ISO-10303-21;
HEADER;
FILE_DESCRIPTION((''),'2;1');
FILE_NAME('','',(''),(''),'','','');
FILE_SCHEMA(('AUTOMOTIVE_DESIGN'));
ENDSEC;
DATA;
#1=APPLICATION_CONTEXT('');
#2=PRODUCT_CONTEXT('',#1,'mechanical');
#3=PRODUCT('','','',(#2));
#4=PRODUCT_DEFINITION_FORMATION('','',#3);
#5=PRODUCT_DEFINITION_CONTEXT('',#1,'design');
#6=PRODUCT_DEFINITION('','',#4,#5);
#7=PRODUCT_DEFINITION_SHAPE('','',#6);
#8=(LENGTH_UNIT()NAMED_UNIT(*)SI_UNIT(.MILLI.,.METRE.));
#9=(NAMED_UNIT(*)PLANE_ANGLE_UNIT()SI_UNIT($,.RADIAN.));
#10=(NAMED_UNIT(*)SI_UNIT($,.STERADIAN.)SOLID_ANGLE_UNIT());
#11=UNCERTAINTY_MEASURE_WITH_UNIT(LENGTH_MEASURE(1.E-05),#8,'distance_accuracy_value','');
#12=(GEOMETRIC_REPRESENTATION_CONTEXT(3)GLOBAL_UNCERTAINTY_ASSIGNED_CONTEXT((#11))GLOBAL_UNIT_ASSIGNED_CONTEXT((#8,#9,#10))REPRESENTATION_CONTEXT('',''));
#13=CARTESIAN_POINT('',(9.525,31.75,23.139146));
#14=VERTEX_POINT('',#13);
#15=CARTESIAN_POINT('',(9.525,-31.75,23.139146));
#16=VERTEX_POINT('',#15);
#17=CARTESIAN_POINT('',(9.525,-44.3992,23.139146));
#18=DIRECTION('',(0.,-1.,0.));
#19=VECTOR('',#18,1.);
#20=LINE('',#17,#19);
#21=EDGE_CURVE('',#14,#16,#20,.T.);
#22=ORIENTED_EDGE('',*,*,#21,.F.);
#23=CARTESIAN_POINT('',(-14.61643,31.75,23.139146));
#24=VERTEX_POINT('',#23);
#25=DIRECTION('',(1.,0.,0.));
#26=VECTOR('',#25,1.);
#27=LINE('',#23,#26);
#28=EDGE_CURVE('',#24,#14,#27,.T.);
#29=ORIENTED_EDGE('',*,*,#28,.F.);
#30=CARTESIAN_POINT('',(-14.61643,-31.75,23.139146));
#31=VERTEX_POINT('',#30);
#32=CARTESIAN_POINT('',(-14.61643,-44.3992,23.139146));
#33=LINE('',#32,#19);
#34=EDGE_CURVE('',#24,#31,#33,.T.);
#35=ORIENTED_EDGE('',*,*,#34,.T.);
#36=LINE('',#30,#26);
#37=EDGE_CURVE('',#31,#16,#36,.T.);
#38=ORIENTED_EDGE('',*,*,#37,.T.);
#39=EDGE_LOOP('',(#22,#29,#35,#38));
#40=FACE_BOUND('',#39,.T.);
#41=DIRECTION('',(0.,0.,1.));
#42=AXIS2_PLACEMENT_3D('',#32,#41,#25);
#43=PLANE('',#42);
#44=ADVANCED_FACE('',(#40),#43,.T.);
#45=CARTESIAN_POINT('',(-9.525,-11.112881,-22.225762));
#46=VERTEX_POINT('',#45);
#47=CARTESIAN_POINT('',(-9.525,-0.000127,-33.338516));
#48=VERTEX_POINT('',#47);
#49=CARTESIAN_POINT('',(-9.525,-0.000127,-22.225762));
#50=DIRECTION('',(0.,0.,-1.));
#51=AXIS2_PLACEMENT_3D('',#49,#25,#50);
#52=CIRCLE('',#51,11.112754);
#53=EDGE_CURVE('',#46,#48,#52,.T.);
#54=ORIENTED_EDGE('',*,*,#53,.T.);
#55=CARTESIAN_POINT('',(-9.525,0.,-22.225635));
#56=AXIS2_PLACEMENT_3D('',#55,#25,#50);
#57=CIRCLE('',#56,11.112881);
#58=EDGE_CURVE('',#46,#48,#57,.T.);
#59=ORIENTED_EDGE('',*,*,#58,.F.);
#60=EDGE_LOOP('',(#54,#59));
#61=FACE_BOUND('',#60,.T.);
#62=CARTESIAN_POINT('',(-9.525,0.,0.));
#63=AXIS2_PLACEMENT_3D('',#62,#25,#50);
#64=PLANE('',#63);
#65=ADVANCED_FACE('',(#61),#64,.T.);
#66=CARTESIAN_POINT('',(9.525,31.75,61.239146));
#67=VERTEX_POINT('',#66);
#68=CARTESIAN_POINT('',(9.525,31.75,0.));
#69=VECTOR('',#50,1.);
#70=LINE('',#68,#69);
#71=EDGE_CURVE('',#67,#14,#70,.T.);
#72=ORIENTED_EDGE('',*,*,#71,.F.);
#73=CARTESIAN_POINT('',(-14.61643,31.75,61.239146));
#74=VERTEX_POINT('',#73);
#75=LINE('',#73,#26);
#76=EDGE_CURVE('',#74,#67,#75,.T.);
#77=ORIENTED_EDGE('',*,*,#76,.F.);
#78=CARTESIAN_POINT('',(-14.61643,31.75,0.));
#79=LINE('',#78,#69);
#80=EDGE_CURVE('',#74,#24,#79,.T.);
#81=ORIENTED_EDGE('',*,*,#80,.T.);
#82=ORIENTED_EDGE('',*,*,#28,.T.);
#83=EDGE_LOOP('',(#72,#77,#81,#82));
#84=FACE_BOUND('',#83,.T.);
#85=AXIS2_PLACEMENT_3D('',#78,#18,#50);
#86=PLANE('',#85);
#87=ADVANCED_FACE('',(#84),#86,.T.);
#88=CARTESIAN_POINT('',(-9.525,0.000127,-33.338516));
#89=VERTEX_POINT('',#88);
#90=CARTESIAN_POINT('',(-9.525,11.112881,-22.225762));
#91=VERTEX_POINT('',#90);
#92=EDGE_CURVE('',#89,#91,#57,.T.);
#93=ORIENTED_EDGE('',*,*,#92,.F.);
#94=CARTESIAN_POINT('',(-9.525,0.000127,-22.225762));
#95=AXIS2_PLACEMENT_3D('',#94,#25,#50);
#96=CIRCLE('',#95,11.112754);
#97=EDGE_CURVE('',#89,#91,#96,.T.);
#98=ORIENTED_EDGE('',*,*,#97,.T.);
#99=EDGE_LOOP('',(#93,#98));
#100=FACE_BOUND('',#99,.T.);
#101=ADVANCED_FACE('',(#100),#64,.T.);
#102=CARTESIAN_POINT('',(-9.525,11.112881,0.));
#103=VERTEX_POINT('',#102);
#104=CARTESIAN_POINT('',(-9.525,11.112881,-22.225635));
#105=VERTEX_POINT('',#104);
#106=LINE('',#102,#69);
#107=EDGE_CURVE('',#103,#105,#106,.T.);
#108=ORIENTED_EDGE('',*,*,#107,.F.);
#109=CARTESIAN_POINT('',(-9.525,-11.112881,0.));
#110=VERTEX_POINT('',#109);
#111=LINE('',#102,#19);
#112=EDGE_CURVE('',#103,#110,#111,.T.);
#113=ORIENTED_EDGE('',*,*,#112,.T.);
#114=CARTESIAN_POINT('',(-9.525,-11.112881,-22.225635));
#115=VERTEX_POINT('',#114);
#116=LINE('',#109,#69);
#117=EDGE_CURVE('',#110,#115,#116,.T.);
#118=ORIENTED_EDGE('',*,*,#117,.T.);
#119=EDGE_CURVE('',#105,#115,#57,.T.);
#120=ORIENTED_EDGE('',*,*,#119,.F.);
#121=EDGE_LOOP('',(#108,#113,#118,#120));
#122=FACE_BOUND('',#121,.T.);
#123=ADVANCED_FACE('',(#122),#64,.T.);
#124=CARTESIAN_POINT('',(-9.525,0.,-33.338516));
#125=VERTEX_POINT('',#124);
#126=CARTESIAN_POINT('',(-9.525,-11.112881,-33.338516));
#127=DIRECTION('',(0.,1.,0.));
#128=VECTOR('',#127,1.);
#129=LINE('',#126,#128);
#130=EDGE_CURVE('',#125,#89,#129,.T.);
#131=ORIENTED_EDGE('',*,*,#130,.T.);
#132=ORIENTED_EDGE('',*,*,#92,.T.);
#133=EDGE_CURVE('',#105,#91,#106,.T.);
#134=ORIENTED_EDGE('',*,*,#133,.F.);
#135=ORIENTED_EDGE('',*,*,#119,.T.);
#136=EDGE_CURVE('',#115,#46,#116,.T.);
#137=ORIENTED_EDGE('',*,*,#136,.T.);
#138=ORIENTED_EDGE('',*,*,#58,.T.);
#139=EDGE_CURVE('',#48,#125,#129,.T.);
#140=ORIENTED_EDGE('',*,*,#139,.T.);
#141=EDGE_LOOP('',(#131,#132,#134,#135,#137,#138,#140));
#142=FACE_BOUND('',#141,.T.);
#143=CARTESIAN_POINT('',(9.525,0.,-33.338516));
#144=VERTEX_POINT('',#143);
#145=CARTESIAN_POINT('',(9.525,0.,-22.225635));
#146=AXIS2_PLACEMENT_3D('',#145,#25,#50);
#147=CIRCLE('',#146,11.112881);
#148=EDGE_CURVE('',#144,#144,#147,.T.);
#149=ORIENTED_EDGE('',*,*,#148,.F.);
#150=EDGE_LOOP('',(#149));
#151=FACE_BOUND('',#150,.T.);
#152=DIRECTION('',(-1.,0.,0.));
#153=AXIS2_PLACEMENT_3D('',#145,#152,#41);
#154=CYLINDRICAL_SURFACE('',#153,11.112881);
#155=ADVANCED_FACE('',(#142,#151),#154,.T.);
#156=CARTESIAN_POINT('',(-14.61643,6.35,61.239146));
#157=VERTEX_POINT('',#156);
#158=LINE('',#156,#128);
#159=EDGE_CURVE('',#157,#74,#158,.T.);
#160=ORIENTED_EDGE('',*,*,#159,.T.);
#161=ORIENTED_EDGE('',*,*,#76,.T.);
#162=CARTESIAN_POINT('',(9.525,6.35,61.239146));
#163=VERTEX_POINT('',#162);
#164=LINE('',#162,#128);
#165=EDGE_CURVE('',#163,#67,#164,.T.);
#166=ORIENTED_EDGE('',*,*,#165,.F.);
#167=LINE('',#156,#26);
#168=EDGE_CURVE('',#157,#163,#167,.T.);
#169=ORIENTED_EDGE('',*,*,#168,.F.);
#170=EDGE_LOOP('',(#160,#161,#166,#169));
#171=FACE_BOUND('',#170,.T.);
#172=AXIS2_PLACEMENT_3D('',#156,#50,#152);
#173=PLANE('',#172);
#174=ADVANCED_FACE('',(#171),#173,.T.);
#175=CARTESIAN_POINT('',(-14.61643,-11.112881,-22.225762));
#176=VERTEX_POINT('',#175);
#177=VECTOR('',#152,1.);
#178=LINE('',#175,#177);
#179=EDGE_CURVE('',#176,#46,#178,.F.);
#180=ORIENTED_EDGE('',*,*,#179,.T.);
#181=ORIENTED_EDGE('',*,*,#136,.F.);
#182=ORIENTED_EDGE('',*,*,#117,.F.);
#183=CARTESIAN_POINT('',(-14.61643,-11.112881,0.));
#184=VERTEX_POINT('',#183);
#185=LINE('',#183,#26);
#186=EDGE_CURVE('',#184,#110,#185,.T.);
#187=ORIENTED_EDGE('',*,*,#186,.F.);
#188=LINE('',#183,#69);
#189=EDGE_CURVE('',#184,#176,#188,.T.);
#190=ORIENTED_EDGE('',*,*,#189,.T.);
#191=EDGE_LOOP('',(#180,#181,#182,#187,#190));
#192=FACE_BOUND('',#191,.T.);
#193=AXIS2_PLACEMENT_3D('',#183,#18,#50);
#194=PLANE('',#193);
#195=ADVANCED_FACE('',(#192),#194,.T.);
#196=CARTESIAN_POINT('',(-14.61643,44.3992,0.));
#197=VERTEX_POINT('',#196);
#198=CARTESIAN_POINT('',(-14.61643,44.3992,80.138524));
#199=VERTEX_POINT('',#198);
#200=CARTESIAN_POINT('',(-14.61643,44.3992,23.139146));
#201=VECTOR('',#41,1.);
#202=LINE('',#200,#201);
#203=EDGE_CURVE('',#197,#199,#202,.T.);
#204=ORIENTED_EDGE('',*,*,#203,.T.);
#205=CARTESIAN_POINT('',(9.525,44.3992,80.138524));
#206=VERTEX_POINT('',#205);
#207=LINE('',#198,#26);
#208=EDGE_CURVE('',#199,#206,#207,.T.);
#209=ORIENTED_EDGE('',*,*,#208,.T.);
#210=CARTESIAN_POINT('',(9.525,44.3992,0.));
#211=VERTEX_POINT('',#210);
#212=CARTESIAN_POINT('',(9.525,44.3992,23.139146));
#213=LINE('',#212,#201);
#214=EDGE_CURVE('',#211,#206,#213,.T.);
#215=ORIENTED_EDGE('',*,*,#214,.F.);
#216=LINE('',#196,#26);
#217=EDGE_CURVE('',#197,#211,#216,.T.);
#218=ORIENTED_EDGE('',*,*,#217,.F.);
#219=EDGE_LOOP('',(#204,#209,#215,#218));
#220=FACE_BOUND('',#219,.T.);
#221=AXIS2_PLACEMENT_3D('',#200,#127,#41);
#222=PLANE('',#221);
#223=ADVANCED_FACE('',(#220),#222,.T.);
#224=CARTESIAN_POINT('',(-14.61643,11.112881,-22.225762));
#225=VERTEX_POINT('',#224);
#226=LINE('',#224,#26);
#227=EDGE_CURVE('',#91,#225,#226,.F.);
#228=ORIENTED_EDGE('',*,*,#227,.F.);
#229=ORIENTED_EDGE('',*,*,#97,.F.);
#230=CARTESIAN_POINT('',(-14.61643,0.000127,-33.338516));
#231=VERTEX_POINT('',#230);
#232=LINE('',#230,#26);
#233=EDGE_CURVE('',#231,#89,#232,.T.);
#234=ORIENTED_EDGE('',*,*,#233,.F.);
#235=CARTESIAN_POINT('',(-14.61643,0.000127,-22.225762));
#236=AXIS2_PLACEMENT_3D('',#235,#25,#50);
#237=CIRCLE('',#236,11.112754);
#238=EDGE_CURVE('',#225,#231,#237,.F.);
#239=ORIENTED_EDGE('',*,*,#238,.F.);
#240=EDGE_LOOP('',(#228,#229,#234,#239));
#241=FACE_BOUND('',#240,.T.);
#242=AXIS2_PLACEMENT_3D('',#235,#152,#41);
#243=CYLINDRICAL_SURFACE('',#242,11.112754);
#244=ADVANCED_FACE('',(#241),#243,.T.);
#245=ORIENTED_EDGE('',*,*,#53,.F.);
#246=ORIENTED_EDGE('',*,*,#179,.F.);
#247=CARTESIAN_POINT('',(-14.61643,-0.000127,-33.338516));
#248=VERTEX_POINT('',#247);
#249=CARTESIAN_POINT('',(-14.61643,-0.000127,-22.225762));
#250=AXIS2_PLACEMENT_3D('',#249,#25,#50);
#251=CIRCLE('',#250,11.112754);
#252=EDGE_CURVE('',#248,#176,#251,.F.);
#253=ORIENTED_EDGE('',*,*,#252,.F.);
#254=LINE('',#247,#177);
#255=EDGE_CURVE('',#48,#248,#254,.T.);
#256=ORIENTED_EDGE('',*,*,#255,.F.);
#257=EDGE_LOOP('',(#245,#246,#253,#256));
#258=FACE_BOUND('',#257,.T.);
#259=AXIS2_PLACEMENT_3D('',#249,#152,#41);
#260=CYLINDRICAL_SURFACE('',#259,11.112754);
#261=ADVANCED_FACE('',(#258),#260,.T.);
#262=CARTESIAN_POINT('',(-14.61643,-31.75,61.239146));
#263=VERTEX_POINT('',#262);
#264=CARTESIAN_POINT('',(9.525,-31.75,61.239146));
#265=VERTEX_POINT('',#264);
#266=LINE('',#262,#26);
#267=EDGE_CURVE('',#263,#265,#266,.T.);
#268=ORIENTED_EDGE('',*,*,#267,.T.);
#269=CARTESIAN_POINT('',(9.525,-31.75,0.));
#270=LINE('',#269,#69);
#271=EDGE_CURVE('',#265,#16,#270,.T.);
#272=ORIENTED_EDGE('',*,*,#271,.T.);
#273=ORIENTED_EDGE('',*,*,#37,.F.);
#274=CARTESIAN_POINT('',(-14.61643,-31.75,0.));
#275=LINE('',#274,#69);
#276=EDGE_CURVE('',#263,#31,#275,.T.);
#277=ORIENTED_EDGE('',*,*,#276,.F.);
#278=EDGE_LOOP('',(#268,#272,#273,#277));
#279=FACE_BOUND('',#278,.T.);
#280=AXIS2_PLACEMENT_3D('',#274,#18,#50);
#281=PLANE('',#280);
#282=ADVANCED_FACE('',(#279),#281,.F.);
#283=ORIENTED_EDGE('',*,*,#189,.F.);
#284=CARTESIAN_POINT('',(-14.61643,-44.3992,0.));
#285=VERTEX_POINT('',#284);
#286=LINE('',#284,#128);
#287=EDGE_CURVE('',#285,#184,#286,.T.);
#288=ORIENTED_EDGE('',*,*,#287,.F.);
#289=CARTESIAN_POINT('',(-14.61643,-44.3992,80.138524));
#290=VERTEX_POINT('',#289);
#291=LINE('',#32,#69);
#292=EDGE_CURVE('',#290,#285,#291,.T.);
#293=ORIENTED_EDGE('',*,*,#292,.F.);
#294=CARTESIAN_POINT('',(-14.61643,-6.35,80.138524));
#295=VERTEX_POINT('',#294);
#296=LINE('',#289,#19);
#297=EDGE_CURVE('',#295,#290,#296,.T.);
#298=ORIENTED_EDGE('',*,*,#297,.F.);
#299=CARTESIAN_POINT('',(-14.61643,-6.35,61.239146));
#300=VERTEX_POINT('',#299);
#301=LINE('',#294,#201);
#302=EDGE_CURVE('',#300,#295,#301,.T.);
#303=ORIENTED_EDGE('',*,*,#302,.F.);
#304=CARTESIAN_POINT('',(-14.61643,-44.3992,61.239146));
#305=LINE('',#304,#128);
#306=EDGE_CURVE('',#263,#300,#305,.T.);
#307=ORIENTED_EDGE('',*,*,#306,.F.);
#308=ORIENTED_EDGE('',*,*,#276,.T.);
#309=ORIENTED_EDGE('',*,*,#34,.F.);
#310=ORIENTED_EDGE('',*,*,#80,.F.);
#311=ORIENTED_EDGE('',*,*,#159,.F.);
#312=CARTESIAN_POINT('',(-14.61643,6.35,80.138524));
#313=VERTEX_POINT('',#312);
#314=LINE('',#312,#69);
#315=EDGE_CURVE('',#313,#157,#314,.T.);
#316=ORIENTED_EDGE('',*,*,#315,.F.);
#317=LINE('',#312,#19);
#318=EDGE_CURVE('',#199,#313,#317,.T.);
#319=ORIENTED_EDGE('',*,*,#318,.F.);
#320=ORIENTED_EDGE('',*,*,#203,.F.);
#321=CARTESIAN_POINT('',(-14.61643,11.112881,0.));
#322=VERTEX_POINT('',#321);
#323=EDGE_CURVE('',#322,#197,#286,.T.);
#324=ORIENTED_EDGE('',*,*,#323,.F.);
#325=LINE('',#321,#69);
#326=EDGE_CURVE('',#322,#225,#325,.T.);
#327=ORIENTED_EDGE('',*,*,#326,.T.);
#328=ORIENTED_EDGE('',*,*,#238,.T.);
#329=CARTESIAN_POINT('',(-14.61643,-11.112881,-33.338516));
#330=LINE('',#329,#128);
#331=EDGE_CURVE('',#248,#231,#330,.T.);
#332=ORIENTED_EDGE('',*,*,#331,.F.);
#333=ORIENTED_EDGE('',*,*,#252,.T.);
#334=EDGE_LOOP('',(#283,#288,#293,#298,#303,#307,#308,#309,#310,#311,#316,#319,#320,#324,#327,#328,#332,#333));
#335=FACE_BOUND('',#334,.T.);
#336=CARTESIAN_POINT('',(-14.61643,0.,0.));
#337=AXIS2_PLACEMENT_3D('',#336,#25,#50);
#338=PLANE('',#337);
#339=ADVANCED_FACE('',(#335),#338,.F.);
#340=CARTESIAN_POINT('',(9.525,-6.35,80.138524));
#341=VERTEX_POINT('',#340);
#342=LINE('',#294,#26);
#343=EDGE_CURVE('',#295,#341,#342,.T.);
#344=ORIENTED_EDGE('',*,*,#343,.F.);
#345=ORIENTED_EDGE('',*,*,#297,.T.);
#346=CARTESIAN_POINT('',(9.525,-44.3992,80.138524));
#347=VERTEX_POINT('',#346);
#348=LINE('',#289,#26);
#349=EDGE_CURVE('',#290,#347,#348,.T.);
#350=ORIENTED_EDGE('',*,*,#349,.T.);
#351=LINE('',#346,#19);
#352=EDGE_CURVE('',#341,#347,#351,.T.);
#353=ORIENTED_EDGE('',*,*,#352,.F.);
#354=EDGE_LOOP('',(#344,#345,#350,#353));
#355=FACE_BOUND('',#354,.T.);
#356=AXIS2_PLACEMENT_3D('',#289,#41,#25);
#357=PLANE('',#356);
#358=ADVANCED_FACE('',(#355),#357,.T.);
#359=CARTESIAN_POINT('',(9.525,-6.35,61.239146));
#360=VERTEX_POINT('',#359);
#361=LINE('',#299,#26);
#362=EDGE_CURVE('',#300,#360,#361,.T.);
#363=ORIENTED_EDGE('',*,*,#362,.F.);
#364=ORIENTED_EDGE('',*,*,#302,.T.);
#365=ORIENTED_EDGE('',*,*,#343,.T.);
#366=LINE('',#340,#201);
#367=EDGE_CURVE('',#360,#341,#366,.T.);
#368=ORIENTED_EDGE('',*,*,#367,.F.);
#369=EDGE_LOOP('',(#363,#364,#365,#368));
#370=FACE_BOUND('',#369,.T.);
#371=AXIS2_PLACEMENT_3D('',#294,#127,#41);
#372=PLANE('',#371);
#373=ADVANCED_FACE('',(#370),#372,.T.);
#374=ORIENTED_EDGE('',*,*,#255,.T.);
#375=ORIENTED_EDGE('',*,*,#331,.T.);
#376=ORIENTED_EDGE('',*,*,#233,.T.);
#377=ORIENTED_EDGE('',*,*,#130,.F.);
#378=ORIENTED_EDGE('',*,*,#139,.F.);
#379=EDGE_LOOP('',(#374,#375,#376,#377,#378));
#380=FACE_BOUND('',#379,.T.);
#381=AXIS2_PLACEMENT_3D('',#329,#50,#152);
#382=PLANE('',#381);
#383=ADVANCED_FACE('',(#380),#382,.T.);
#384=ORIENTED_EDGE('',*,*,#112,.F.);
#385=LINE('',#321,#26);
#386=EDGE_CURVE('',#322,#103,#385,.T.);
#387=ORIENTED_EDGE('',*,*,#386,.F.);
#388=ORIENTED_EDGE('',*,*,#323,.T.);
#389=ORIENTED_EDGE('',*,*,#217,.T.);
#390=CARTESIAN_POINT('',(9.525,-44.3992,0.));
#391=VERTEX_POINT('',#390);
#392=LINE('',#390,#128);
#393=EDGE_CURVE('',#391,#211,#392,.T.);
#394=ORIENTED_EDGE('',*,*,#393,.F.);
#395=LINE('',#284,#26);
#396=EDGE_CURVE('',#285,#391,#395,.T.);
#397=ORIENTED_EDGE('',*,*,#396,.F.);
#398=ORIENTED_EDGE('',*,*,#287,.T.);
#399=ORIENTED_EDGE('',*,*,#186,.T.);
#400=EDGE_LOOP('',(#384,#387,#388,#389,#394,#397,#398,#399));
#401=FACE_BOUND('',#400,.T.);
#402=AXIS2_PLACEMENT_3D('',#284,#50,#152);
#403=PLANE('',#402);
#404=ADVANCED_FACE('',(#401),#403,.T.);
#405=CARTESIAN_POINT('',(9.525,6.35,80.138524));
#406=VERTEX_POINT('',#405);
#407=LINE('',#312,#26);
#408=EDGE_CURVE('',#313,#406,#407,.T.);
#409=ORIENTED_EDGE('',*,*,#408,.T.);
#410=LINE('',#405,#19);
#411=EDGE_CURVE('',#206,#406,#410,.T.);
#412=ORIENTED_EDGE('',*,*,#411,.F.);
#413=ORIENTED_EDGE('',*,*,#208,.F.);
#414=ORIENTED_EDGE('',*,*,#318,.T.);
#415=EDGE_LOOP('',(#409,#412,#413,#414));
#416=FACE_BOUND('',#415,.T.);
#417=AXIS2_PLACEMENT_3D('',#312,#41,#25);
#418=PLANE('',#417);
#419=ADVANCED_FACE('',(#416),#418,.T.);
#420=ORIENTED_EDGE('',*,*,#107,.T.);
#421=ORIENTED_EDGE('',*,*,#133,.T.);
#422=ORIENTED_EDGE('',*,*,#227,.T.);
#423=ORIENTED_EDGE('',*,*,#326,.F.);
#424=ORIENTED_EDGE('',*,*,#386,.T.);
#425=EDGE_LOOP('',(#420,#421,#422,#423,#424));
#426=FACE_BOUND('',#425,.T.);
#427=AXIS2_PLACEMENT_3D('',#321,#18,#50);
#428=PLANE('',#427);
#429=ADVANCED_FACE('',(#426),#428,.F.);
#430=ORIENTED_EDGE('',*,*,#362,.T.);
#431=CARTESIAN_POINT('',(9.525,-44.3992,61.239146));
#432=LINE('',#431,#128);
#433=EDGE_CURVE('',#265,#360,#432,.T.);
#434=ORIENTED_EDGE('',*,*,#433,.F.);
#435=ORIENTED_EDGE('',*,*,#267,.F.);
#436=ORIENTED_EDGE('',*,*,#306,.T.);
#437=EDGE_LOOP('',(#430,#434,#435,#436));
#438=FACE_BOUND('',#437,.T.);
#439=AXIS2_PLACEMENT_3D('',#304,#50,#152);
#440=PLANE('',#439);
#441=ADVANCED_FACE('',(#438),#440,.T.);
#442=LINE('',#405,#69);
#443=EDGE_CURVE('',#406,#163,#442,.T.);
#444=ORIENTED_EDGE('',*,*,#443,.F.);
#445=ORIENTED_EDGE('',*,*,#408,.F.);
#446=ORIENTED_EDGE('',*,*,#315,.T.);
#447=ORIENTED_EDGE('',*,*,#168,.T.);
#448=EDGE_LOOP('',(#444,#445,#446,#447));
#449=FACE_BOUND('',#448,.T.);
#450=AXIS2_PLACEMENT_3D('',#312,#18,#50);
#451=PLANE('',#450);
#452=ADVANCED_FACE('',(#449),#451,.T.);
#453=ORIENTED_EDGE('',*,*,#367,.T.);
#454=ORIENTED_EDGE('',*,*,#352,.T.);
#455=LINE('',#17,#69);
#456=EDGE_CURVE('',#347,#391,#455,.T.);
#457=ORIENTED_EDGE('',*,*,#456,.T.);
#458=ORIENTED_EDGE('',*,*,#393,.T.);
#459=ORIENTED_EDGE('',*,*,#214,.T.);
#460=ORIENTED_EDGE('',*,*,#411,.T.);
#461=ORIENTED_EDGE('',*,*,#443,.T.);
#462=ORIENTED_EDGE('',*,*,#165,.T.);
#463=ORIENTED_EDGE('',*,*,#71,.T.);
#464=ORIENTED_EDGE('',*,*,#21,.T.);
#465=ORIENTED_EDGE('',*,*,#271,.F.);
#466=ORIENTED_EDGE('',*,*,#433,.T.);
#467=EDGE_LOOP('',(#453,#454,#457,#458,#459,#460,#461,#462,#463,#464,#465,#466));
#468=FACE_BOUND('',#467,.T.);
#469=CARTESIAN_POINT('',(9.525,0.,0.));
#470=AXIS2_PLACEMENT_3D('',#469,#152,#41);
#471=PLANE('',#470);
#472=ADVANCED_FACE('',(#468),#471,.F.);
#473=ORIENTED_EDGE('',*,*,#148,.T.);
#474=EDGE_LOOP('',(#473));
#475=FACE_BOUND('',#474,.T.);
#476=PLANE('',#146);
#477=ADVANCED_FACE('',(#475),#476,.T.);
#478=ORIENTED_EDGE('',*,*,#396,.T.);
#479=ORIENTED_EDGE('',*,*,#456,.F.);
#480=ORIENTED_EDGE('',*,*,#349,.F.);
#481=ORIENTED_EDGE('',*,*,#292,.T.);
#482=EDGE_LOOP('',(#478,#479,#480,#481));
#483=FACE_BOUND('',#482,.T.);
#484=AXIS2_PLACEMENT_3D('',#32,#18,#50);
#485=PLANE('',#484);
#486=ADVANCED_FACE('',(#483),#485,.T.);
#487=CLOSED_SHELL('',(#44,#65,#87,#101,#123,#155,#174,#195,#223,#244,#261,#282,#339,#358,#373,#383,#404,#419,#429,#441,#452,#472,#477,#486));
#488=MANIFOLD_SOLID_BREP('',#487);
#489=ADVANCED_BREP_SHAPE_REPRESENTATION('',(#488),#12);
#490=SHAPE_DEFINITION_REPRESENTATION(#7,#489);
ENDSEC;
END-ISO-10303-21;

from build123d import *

# Parameters (mm, degrees)
BASE_SKETCH_R      = 11.112881
FEATURE_A_DEPTH    = 9.525
FEATURE_B_SKETCH_W = 22.225762
FEATURE_B_SKETCH_H = 33.338516
FEATURE_B_DEPTH    = 5.09143
FILLET1_R          = 11.112754
FILLET2_R          = 11.112754
FEATURE_C_SKETCH_W = 88.7984
FEATURE_C_SKETCH_H = 23.139146
FEATURE_C_DEPTH    = 24.14143
FEATURE_D_SKETCH_W = 12.6492
FEATURE_D_SKETCH_H = 38.1
FEATURE_D_DEPTH    = 24.14143
FEATURE_E_SKETCH_W = 38.0492
FEATURE_E_SKETCH_H = 18.899378
FEATURE_E_DEPTH    = 24.14143


with BuildPart() as part:
    # Base Sketch → Feature A (new, symmetric)
    with BuildSketch(Plane.YZ):
        with Locations(Location((0, -22.225635, 0), (0, 0, 90))):
            Circle(BASE_SKETCH_R)
    extrude(amount=FEATURE_A_DEPTH, both=True)

    # Feature B Sketch → Feature B (add)
    with BuildSketch(Plane(origin=(-9.525, 0, 0), x_dir=(0, -1, 0), z_dir=(-1, 0, 0))):
        with Locations((0, -16.669258)):
            Rectangle(FEATURE_B_SKETCH_W, FEATURE_B_SKETCH_H)
    extrude(amount=FEATURE_B_DEPTH)

    # Fillet1
    fillet1_edges = [part.edges().sort_by_distance(p)[0] for p in [
        (-12.070715, 11.112881, -33.338516),
    ]]
    fillet(fillet1_edges, radius=FILLET1_R)

    # Fillet2
    fillet2_edges = [part.edges().sort_by_distance(p)[0] for p in [
        (-12.070715, -11.112881, -33.338516),
    ]]
    fillet(fillet2_edges, radius=FILLET2_R)

    # Feature C Sketch → Feature C (add)
    with BuildSketch(Plane.YZ.offset(9.525)):
        with Locations((0, 11.569573)):
            Rectangle(FEATURE_C_SKETCH_W, FEATURE_C_SKETCH_H)
    extrude(amount=-FEATURE_C_DEPTH)

    # Feature D Sketch → Feature D (add)
    with BuildSketch(Plane.YZ.offset(9.525)):
        with Locations((38.0746, 42.189146)):
            Rectangle(FEATURE_D_SKETCH_W, FEATURE_D_SKETCH_H)
        with Locations((-38.0746, 42.189146)):
            Rectangle(FEATURE_D_SKETCH_W, FEATURE_D_SKETCH_H)
    extrude(amount=-FEATURE_D_DEPTH)

    # Feature E Sketch → Feature E (add)
    with BuildSketch(Plane.YZ.offset(9.525)):
        with Locations((25.3746, 70.688835)):
            Rectangle(FEATURE_E_SKETCH_W, FEATURE_E_SKETCH_H)
        with Locations((-25.3746, 70.688835)):
            Rectangle(FEATURE_E_SKETCH_W, FEATURE_E_SKETCH_H)
    extrude(amount=-FEATURE_E_DEPTH)


solid = part.part
